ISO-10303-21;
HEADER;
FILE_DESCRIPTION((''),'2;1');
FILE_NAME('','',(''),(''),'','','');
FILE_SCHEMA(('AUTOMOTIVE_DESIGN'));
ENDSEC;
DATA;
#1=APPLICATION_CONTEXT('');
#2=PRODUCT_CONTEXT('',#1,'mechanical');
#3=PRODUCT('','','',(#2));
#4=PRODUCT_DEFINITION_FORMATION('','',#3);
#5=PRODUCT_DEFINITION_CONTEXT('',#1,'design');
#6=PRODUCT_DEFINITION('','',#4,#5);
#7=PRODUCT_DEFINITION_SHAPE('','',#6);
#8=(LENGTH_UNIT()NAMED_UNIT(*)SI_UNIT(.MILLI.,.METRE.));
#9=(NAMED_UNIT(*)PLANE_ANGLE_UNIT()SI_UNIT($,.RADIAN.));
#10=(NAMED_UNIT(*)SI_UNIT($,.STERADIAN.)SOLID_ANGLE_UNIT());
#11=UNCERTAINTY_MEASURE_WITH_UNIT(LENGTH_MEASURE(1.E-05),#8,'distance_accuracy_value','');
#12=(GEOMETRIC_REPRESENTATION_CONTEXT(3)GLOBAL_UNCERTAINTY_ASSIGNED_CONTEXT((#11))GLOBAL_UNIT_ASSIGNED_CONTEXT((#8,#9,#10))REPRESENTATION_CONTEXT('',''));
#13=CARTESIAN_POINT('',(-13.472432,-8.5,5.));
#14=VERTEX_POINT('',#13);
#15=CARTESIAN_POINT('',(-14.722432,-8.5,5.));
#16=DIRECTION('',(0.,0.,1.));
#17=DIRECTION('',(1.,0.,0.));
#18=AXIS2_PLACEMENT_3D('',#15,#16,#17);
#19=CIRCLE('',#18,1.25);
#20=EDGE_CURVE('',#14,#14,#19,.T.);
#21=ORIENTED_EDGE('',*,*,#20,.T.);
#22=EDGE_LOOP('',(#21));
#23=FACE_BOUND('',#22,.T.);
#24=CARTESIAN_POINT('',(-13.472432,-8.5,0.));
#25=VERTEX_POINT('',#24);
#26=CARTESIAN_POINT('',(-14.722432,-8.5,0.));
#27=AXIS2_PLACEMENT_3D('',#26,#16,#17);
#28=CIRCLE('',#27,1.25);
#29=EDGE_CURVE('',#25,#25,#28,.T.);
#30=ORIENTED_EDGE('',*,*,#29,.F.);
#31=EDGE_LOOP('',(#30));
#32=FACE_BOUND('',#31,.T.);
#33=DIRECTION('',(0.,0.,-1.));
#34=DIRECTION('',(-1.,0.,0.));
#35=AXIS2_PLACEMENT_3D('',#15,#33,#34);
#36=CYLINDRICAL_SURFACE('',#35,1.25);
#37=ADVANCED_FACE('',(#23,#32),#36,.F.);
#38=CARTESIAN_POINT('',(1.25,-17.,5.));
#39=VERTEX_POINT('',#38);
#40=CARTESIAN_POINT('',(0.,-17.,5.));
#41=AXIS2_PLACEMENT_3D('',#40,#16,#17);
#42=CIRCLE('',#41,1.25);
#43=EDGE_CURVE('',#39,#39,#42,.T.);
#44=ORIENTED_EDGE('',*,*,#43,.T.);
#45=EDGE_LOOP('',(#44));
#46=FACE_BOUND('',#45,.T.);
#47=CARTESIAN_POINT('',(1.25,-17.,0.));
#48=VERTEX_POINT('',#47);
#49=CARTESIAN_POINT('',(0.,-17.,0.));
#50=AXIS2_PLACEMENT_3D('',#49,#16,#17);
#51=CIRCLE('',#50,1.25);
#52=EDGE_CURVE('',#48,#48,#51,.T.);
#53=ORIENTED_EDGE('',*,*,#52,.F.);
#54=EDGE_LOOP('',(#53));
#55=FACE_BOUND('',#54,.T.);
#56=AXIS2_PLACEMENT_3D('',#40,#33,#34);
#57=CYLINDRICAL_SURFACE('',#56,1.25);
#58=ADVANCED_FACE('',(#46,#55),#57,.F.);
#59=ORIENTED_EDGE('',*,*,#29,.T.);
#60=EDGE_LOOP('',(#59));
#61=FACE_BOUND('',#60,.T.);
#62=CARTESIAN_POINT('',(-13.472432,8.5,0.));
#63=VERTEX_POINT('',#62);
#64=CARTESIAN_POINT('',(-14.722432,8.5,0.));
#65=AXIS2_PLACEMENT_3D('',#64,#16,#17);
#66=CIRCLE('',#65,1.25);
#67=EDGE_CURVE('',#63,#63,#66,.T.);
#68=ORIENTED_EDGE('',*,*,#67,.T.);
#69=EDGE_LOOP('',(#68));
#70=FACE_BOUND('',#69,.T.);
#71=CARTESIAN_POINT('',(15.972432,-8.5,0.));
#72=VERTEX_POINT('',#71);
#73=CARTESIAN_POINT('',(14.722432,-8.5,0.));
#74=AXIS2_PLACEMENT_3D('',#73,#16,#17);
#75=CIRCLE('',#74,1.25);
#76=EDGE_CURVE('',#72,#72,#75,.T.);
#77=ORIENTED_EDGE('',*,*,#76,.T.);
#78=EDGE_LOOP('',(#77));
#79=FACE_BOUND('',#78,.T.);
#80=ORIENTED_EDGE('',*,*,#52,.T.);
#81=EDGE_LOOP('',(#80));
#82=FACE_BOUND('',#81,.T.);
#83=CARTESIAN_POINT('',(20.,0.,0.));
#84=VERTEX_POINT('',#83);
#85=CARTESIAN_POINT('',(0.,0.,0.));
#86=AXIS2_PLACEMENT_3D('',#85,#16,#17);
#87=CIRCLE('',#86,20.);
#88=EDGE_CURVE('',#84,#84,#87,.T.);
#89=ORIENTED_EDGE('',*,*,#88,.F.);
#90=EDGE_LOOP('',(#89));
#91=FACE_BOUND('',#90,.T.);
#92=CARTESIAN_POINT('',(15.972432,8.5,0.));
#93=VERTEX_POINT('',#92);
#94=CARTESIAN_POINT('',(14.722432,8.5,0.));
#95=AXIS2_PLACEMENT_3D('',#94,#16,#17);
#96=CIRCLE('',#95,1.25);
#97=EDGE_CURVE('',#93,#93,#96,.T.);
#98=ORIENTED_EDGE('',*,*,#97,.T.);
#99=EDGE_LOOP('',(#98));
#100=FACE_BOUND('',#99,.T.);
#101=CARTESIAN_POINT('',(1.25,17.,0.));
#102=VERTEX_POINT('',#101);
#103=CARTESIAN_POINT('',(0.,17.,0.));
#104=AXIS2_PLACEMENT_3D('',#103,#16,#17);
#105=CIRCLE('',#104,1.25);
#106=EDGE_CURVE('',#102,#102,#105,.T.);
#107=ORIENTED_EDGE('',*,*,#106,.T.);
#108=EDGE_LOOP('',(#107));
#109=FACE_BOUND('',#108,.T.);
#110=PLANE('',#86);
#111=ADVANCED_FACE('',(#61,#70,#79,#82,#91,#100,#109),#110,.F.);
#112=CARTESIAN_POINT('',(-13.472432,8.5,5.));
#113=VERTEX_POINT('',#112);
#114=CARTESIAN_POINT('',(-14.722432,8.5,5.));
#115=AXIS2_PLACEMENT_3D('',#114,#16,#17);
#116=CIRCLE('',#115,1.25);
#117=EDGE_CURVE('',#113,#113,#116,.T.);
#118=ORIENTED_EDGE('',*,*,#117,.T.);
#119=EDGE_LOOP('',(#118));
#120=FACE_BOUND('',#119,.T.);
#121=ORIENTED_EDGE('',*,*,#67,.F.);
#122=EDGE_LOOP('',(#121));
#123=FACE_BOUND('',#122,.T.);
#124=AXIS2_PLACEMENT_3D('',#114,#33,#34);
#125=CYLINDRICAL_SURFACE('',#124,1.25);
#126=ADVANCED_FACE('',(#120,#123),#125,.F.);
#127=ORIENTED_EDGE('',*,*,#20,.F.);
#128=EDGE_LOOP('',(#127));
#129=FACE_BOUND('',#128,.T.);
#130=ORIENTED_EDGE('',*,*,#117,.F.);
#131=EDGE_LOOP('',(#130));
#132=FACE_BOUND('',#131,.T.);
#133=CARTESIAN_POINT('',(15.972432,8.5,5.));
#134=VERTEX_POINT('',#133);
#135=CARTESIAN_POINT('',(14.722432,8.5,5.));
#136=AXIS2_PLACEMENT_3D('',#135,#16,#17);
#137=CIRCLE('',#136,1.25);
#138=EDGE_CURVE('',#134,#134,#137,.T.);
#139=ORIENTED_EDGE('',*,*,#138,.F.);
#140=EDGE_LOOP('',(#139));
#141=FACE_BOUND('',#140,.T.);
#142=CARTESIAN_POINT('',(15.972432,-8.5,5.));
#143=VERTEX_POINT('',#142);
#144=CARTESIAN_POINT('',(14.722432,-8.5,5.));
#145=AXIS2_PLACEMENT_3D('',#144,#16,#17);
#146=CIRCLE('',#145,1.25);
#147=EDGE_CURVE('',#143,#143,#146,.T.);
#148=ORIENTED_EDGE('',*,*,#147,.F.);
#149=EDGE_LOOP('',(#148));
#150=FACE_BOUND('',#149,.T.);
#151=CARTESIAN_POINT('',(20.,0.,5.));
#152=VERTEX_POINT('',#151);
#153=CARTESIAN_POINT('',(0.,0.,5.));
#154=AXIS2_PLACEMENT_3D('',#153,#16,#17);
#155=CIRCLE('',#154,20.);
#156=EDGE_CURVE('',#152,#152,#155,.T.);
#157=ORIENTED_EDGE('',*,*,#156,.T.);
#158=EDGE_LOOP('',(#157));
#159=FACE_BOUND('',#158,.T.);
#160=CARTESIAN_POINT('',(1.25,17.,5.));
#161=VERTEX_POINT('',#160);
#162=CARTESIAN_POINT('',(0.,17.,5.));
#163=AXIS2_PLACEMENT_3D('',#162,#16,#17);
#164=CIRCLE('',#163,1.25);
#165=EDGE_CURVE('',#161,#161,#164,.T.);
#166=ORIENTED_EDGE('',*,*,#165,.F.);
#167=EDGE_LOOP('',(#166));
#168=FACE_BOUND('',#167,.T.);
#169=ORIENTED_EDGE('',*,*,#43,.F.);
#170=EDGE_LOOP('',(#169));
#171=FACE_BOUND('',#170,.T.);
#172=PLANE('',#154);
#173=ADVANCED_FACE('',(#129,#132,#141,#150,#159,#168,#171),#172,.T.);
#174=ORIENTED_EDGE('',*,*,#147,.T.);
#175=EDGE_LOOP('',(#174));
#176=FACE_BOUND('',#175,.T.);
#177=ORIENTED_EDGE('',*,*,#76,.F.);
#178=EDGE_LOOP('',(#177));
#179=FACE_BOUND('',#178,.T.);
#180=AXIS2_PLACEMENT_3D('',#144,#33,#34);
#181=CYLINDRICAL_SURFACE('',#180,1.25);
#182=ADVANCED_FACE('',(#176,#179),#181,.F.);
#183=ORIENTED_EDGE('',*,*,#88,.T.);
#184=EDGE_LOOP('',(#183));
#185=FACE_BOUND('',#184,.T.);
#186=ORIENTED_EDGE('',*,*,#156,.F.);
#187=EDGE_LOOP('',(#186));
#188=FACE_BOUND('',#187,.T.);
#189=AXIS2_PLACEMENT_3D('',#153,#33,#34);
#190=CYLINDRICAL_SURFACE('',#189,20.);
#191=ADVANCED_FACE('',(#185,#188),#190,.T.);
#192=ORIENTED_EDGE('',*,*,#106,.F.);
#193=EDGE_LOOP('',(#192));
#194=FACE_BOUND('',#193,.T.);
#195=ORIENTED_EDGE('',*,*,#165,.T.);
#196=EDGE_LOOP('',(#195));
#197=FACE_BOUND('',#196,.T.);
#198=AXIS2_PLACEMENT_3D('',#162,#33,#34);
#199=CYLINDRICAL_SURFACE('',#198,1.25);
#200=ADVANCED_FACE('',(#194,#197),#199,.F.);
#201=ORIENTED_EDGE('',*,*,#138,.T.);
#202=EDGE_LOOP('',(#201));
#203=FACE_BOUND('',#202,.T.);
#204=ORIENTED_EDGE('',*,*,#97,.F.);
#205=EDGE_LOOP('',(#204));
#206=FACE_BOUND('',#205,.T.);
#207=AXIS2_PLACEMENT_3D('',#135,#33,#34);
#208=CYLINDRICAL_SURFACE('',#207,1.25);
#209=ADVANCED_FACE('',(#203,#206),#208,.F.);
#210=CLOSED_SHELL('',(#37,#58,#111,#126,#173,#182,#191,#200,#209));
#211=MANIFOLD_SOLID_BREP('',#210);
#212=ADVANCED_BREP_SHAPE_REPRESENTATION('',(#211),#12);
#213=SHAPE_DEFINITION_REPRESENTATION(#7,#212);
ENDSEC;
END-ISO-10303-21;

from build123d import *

# Parameters (mm, degrees)
SKETCH1_R           = 20
SKETCH1_R_2         = 1.25
BOSS_EXTRUDE1_DEPTH = 5


with BuildPart() as part:
    # Sketch1 → Boss-Extrude1 (new body)
    with BuildSketch(Plane.XY):
        Circle(SKETCH1_R)
        with Locations((0, 17)):
            Circle(SKETCH1_R_2, mode=Mode.SUBTRACT)
        with Locations((14.722431864, 8.5)):
            Circle(SKETCH1_R_2, mode=Mode.SUBTRACT)
        with Locations((14.722431864, -8.5)):
            Circle(SKETCH1_R_2, mode=Mode.SUBTRACT)
        with Locations((0, -17)):
            Circle(SKETCH1_R_2, mode=Mode.SUBTRACT)
        with Locations((-14.722431864, -8.5)):
            Circle(SKETCH1_R_2, mode=Mode.SUBTRACT)
        with Locations((-14.722431864, 8.5)):
            Circle(SKETCH1_R_2, mode=Mode.SUBTRACT)
    extrude(amount=BOSS_EXTRUDE1_DEPTH)


solid = part.part
